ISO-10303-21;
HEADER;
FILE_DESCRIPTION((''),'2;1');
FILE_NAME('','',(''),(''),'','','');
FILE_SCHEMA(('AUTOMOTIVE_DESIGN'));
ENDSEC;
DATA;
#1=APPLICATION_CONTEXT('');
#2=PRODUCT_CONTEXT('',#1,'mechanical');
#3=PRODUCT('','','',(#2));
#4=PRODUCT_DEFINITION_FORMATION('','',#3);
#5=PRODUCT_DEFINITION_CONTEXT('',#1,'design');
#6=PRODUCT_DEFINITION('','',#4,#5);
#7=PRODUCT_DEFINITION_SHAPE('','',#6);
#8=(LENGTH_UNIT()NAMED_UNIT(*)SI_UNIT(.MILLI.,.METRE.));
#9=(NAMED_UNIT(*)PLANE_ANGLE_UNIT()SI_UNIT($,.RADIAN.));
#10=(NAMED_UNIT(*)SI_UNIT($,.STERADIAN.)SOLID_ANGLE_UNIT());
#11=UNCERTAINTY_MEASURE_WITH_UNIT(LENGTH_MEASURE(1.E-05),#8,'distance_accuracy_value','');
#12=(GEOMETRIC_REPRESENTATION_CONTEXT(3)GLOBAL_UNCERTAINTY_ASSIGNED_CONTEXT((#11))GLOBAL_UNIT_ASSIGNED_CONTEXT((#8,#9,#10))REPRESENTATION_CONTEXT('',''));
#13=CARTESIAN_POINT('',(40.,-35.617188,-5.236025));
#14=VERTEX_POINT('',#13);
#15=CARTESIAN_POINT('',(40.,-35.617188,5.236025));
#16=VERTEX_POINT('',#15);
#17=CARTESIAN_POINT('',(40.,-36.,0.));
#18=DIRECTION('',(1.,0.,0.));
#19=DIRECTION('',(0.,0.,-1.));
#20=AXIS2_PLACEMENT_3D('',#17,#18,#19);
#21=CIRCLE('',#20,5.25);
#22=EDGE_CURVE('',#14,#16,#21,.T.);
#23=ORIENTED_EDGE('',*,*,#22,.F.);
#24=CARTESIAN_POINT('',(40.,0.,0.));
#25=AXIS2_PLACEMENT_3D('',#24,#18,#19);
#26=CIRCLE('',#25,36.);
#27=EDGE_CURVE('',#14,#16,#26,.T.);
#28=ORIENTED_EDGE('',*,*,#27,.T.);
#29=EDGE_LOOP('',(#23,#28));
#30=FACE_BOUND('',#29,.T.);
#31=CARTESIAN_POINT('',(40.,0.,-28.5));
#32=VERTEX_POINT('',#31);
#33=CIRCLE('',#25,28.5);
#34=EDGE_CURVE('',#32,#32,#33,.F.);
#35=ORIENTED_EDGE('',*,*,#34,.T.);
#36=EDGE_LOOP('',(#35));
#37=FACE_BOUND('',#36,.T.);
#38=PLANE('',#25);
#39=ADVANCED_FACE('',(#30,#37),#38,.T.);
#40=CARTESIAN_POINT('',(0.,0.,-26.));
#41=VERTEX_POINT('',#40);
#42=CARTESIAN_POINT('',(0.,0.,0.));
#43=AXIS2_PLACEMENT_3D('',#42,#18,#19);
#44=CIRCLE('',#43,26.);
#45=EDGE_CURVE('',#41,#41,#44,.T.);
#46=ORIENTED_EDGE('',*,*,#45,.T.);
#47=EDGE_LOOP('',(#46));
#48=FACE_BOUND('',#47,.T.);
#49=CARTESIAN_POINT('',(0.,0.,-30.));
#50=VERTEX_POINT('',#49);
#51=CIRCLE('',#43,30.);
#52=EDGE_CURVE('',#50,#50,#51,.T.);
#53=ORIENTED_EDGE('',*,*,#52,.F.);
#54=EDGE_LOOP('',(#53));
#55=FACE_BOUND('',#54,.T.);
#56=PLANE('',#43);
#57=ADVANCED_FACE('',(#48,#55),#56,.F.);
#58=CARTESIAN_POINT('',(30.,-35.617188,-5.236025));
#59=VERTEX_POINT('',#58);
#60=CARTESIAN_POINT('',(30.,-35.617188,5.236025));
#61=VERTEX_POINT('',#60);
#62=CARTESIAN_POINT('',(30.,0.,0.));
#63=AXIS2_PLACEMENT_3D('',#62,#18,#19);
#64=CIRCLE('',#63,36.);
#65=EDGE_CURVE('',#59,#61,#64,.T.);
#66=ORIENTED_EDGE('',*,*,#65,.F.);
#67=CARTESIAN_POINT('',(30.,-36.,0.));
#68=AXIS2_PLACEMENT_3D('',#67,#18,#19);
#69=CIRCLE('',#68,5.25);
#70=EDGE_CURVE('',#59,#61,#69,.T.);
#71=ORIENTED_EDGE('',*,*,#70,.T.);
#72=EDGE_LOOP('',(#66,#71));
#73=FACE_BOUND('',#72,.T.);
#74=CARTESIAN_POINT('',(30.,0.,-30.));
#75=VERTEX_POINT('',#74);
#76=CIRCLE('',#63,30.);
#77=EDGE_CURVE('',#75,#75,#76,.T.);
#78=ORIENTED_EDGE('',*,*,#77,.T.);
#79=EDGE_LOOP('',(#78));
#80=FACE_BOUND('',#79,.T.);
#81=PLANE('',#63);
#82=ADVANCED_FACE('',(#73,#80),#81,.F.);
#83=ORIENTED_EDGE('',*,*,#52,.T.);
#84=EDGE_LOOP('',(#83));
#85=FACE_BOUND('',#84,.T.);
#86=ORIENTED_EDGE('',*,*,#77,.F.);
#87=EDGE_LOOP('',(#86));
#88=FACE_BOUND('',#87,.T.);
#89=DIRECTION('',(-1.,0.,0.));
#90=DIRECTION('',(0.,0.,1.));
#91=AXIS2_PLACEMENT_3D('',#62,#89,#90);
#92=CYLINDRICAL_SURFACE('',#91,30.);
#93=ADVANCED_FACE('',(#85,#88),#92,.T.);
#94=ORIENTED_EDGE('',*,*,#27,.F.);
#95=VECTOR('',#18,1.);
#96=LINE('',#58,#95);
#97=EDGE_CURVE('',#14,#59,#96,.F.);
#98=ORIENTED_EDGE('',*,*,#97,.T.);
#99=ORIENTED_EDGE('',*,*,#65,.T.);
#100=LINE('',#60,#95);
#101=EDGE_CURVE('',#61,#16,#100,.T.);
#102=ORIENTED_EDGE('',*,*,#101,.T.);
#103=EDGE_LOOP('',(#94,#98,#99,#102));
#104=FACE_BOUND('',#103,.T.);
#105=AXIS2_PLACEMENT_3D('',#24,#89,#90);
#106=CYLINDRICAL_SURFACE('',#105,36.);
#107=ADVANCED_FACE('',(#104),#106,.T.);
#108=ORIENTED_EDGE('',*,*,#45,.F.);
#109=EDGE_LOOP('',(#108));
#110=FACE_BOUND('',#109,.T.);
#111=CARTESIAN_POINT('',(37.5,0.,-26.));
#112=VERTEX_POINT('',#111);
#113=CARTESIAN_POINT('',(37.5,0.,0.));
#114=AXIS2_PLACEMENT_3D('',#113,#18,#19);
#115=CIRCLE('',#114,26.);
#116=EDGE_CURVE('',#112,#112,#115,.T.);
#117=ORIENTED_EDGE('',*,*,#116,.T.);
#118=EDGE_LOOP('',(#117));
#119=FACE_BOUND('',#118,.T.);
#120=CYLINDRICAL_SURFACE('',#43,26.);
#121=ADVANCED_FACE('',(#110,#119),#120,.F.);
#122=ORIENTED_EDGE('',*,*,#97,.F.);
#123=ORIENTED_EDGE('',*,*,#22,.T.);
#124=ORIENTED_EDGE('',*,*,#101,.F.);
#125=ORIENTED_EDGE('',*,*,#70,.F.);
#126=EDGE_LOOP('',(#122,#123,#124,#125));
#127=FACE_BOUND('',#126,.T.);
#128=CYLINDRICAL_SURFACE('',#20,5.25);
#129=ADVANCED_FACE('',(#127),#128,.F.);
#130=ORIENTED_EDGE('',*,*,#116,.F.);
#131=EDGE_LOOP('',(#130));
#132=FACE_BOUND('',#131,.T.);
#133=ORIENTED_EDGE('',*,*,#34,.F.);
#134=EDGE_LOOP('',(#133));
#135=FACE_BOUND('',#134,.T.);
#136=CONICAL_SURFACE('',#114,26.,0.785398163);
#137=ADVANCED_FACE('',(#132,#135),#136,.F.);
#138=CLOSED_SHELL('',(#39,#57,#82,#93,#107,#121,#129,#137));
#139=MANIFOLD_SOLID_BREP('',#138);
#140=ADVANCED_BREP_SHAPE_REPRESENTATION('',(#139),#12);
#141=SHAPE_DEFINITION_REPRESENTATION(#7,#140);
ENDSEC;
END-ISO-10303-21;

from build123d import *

# Parameters (mm, degrees)
SKETCH2_R             = 30
BOSS_EXTRUDE1_DEPTH   = 30
SKETCH3_R             = 36
BOSS_EXTRUDE2_DEPTH   = 10
SKETCH4_R             = 26
CUT_EXTRUDE1_DEPTH    = 65.745656225
CHAMFER1_SIZE         = 2.5
D_GAGEMENT_M101_D     = 10.5
D_GAGEMENT_M101_DEPTH = 20
D_GAGEMENT_M101_TIP   = 3.15451825


with BuildPart() as part:
    # Sketch2 → Boss-Extrude1 (new body)
    with BuildSketch(Plane(origin=(0, 0, 0), x_dir=(0, 0, -1), z_dir=(1, 0, 0))):
        Circle(SKETCH2_R)
    extrude(amount=BOSS_EXTRUDE1_DEPTH)

    # Sketch3 → Boss-Extrude2 (add)
    with BuildSketch(Plane(origin=(30, 0, 0), x_dir=(0, 0, -1), z_dir=(1, 0, 0))):
        Circle(SKETCH3_R)
    extrude(amount=BOSS_EXTRUDE2_DEPTH)

    # Sketch4 → Cut-Extrude1 (cut, through all)
    with BuildSketch(Plane(origin=(40, 0, 0), x_dir=(0, 0, -1), z_dir=(1, 0, 0))):
        Circle(SKETCH4_R)
    extrude(amount=-CUT_EXTRUDE1_DEPTH, mode=Mode.SUBTRACT)

    # Chamfer1
    chamfer1_edges = [part.edges().sort_by_distance(p)[0] for p in [
        (40, 0, 26),
    ]]
    chamfer(chamfer1_edges, length=CHAMFER1_SIZE)

    # Dégagement M101
    with Locations(Plane(origin=(40, 0, 0), x_dir=(0, 0, -1), z_dir=(1, 0, 0))):
        with Locations((0, -36)):
            Hole(D_GAGEMENT_M101_D / 2, depth=D_GAGEMENT_M101_DEPTH)
            with Locations((0, 0, -(D_GAGEMENT_M101_DEPTH + D_GAGEMENT_M101_TIP / 2))):  # 118° drill point
                Cone(0, D_GAGEMENT_M101_D / 2, D_GAGEMENT_M101_TIP, mode=Mode.SUBTRACT)


solid = part.part
